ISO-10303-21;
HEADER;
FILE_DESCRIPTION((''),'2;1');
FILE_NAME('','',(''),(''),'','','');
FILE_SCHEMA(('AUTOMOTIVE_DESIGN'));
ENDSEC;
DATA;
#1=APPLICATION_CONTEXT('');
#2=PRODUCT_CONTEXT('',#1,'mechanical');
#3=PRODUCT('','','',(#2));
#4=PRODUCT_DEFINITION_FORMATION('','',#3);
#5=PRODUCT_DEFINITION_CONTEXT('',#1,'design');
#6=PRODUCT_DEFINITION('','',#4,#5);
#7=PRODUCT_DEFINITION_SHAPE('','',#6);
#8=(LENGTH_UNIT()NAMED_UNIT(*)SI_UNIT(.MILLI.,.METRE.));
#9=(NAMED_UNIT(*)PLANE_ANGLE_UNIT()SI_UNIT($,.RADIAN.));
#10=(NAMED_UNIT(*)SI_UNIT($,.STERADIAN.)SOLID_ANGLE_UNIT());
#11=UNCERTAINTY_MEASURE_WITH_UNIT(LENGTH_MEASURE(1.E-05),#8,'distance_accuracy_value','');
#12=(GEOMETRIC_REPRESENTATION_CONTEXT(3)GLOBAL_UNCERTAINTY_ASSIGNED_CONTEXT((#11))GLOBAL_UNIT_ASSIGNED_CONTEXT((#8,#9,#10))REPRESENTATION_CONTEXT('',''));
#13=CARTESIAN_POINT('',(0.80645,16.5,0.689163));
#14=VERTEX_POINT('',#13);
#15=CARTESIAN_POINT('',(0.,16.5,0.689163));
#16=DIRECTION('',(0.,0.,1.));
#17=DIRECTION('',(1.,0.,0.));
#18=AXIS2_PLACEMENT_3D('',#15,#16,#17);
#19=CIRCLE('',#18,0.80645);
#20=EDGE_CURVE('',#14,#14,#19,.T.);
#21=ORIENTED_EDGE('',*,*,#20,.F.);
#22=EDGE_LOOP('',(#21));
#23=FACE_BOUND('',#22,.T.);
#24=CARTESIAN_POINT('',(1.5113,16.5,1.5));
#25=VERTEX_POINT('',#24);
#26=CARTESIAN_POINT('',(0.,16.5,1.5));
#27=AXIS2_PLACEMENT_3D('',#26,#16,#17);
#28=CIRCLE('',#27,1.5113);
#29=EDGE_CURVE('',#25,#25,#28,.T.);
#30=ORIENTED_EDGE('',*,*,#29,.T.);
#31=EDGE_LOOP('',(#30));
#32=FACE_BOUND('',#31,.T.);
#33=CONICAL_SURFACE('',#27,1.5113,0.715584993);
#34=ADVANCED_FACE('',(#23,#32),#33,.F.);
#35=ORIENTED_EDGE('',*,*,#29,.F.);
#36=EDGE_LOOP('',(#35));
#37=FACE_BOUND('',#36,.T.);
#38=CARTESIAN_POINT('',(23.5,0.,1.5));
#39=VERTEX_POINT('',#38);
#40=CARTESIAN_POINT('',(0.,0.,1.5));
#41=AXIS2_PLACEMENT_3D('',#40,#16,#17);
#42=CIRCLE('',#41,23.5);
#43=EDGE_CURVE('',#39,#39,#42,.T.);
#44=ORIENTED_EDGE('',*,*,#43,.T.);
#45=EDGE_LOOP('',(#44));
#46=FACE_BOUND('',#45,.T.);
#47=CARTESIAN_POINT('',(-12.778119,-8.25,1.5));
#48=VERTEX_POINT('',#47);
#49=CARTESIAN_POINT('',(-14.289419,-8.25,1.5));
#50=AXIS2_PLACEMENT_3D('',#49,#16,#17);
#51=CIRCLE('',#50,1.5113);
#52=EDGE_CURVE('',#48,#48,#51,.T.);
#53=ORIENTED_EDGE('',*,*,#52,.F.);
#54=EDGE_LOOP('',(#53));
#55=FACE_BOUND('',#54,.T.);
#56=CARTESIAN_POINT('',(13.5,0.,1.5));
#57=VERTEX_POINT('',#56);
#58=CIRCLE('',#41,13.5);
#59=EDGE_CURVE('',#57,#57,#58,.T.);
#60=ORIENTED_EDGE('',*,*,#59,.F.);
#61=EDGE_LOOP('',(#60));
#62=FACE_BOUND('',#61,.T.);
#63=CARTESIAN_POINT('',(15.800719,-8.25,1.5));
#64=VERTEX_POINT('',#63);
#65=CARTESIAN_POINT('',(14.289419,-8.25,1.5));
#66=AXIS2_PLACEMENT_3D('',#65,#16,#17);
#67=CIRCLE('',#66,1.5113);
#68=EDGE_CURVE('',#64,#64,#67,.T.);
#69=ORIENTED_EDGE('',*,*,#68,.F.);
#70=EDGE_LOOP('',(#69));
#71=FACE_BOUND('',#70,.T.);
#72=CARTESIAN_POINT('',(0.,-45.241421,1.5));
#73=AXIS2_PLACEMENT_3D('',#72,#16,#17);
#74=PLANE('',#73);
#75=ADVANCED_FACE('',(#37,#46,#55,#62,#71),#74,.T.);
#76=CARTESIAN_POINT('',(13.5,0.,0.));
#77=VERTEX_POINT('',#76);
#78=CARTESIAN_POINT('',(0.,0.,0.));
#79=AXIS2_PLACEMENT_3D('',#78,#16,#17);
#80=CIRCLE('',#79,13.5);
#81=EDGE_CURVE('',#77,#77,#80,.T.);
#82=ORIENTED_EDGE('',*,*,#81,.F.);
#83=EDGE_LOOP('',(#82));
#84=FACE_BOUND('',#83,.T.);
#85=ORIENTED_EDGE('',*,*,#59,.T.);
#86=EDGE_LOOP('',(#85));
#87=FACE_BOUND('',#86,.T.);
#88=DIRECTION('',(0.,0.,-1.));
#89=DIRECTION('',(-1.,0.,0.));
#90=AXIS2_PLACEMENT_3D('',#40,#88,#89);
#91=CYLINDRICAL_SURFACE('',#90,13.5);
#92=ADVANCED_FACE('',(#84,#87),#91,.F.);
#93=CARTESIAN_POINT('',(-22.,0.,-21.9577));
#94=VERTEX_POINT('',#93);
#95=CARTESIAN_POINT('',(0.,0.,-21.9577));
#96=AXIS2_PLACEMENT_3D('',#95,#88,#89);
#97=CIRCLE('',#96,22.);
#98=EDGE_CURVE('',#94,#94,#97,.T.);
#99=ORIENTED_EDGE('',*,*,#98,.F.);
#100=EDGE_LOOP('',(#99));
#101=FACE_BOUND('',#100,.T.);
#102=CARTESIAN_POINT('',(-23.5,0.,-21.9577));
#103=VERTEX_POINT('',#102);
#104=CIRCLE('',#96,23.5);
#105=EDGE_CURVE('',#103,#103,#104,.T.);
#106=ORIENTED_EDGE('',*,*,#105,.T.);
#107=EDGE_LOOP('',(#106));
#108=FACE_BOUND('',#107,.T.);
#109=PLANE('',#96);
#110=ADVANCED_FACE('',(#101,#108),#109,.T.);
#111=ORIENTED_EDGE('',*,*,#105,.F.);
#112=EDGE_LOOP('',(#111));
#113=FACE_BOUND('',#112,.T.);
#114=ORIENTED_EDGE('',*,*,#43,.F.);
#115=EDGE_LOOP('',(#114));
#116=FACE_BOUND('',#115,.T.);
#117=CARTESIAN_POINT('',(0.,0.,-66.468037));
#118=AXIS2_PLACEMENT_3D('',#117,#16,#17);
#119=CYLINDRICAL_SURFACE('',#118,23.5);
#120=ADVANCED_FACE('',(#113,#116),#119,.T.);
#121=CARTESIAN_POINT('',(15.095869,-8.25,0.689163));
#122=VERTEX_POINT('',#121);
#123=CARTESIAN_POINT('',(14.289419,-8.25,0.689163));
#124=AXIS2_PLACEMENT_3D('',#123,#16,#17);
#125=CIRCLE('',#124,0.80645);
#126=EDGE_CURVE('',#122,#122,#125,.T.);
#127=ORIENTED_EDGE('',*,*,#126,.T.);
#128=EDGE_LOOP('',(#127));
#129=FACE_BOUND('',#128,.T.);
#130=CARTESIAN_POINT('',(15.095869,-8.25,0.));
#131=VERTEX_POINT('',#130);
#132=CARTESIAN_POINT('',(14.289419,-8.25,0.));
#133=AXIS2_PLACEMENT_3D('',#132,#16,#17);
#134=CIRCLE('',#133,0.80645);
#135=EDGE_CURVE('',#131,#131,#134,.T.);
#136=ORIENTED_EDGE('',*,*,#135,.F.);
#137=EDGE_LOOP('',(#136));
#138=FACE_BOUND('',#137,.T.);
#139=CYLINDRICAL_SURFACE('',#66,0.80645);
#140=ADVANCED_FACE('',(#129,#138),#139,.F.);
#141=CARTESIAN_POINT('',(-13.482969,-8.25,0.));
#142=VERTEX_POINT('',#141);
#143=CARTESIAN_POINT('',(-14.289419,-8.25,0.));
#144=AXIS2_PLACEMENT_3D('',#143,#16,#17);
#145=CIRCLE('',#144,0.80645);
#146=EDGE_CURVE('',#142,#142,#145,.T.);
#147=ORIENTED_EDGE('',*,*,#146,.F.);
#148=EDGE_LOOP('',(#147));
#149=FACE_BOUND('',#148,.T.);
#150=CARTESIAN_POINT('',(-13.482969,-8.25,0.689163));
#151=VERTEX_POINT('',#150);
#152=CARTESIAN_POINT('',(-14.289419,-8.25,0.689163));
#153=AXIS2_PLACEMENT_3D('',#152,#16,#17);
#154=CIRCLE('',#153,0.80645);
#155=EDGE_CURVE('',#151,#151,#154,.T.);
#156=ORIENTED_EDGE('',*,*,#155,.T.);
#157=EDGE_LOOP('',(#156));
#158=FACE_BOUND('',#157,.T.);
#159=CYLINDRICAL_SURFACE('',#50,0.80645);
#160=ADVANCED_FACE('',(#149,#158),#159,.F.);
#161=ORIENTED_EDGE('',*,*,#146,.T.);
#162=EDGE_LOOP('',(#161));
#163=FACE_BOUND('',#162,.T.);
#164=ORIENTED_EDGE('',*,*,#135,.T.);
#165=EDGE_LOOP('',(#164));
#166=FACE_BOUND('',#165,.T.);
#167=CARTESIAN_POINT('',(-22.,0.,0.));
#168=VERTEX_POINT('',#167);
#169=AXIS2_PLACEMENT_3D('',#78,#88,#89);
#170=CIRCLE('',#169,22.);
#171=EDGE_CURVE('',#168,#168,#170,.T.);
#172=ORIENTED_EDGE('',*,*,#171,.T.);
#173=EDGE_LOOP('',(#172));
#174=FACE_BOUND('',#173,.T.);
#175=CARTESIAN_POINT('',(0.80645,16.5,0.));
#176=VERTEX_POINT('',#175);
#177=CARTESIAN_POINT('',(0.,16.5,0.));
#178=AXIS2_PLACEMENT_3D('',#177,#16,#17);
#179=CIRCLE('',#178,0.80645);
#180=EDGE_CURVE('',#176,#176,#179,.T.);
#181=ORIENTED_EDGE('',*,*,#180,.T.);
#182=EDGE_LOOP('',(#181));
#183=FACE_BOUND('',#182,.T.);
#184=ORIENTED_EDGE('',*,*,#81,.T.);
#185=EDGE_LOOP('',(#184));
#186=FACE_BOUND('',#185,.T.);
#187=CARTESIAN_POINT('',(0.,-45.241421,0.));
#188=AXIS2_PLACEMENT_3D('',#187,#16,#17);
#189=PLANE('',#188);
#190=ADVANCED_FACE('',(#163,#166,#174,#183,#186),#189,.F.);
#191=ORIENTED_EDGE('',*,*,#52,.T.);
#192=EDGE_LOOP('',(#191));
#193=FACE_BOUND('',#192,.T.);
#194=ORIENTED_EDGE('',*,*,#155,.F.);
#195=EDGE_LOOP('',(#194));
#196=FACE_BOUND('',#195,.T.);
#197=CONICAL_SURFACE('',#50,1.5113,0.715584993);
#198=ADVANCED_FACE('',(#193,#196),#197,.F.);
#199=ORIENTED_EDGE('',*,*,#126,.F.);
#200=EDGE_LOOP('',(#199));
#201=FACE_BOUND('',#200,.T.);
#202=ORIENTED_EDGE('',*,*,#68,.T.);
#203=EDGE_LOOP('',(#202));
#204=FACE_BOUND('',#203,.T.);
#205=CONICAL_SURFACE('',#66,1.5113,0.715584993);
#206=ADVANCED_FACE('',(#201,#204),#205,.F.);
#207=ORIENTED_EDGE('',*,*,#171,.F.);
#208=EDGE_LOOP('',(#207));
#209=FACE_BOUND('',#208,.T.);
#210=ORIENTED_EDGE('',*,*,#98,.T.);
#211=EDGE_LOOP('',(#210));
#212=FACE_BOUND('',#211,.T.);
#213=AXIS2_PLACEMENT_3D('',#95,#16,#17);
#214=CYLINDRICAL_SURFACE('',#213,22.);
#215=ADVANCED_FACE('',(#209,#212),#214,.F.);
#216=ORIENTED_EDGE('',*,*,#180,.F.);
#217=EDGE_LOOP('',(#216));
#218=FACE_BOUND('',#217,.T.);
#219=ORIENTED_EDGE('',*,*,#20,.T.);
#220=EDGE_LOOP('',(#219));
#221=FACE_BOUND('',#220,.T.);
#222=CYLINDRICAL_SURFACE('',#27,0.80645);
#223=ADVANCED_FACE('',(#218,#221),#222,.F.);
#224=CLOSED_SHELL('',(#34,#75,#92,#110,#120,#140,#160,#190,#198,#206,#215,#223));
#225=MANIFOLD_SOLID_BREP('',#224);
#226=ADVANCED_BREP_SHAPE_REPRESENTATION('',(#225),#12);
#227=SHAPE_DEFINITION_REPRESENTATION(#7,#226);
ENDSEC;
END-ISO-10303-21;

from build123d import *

# Parameters (mm, degrees)
SKETCH1_R                                      = 20.5
SKETCH1_R_2                                    = 1.5875
SKETCH1_R_3                                    = 13.5
EXTRUDE1_DEPTH                                 = 1.5
BOSS_EXTRUDE3_START                            = -1.5
SKETCH4_R                                      = 23.5
SKETCH4_R_2                                    = 20.5
BOSS_EXTRUDE3_DEPTH                            = 1.5
BOSS_EXTRUDE5_START                            = 21.9577
SKETCH5_R                                      = 23.5
SKETCH5_R_2                                    = 22
BOSS_EXTRUDE5_DEPTH                            = 21.9577
CSK_FOR_0_FLAT_HEAD_MACHINE_SCREW1_D           = 1.6129
CSK_FOR_0_FLAT_HEAD_MACHINE_SCREW1_CSINK_D     = 3.0226
CSK_FOR_0_FLAT_HEAD_MACHINE_SCREW1_CSINK_ANGLE = 82


with BuildPart() as part:
    # Sketch1 → Extrude1 (new body)
    # profile 1 of 4: a face of its own
    with BuildSketch(Plane.XY):
        Circle(SKETCH1_R)
        with Locations((-14.289419162, -8.25)):
            Circle(SKETCH1_R_2, mode=Mode.SUBTRACT)
        with Locations((14.289419162, -8.25)):
            Circle(SKETCH1_R_2, mode=Mode.SUBTRACT)
        with Locations((0, 16.5)):
            Circle(SKETCH1_R_2, mode=Mode.SUBTRACT)
        Circle(SKETCH1_R_3, mode=Mode.SUBTRACT)
    # profile 2 of 4: a face of its own
    with BuildSketch(Plane.XY):
        with Locations((14.289419162, -8.25)):
            Circle(SKETCH1_R_2)
    # profile 3 of 4: a face of its own
    with BuildSketch(Plane.XY):
        with Locations((0, 16.5)):
            Circle(SKETCH1_R_2)
    # profile 4 of 4: a face of its own
    with BuildSketch(Plane.XY):
        with Locations((-14.289419162, -8.25)):
            Circle(SKETCH1_R_2)
    extrude(amount=EXTRUDE1_DEPTH)

    # Sketch4 → Boss-Extrude3 (add)
    with BuildSketch(Plane.XY.offset(1.5).offset(BOSS_EXTRUDE3_START)):
        Circle(SKETCH4_R)
        Circle(SKETCH4_R_2, mode=Mode.SUBTRACT)
    extrude(amount=BOSS_EXTRUDE3_DEPTH)

    # Sketch5 → Boss-Extrude5 (add)
    with BuildSketch(Plane(origin=(0, 0, 0), x_dir=(-1, 0, 0), z_dir=(0, 0, -1)).offset(BOSS_EXTRUDE5_START)):
        with Locations(Location((0, 0, 0), (0, 0, 180))):
            Circle(SKETCH5_R)
        Circle(SKETCH5_R_2, mode=Mode.SUBTRACT)
    extrude(amount=-BOSS_EXTRUDE5_DEPTH)

    # CSK for #0 Flat Head Machine Screw1 (through all)
    with Locations(Plane(origin=(0, 16.5, 1.5), x_dir=(1, 0, 0), z_dir=(0, 0, 1))):
        with Locations((0, 0), (14.289419162, -24.75), (-14.289419162, -24.75)):
            CounterSinkHole(CSK_FOR_0_FLAT_HEAD_MACHINE_SCREW1_D / 2, CSK_FOR_0_FLAT_HEAD_MACHINE_SCREW1_CSINK_D / 2, counter_sink_angle=CSK_FOR_0_FLAT_HEAD_MACHINE_SCREW1_CSINK_ANGLE)


solid = part.part
